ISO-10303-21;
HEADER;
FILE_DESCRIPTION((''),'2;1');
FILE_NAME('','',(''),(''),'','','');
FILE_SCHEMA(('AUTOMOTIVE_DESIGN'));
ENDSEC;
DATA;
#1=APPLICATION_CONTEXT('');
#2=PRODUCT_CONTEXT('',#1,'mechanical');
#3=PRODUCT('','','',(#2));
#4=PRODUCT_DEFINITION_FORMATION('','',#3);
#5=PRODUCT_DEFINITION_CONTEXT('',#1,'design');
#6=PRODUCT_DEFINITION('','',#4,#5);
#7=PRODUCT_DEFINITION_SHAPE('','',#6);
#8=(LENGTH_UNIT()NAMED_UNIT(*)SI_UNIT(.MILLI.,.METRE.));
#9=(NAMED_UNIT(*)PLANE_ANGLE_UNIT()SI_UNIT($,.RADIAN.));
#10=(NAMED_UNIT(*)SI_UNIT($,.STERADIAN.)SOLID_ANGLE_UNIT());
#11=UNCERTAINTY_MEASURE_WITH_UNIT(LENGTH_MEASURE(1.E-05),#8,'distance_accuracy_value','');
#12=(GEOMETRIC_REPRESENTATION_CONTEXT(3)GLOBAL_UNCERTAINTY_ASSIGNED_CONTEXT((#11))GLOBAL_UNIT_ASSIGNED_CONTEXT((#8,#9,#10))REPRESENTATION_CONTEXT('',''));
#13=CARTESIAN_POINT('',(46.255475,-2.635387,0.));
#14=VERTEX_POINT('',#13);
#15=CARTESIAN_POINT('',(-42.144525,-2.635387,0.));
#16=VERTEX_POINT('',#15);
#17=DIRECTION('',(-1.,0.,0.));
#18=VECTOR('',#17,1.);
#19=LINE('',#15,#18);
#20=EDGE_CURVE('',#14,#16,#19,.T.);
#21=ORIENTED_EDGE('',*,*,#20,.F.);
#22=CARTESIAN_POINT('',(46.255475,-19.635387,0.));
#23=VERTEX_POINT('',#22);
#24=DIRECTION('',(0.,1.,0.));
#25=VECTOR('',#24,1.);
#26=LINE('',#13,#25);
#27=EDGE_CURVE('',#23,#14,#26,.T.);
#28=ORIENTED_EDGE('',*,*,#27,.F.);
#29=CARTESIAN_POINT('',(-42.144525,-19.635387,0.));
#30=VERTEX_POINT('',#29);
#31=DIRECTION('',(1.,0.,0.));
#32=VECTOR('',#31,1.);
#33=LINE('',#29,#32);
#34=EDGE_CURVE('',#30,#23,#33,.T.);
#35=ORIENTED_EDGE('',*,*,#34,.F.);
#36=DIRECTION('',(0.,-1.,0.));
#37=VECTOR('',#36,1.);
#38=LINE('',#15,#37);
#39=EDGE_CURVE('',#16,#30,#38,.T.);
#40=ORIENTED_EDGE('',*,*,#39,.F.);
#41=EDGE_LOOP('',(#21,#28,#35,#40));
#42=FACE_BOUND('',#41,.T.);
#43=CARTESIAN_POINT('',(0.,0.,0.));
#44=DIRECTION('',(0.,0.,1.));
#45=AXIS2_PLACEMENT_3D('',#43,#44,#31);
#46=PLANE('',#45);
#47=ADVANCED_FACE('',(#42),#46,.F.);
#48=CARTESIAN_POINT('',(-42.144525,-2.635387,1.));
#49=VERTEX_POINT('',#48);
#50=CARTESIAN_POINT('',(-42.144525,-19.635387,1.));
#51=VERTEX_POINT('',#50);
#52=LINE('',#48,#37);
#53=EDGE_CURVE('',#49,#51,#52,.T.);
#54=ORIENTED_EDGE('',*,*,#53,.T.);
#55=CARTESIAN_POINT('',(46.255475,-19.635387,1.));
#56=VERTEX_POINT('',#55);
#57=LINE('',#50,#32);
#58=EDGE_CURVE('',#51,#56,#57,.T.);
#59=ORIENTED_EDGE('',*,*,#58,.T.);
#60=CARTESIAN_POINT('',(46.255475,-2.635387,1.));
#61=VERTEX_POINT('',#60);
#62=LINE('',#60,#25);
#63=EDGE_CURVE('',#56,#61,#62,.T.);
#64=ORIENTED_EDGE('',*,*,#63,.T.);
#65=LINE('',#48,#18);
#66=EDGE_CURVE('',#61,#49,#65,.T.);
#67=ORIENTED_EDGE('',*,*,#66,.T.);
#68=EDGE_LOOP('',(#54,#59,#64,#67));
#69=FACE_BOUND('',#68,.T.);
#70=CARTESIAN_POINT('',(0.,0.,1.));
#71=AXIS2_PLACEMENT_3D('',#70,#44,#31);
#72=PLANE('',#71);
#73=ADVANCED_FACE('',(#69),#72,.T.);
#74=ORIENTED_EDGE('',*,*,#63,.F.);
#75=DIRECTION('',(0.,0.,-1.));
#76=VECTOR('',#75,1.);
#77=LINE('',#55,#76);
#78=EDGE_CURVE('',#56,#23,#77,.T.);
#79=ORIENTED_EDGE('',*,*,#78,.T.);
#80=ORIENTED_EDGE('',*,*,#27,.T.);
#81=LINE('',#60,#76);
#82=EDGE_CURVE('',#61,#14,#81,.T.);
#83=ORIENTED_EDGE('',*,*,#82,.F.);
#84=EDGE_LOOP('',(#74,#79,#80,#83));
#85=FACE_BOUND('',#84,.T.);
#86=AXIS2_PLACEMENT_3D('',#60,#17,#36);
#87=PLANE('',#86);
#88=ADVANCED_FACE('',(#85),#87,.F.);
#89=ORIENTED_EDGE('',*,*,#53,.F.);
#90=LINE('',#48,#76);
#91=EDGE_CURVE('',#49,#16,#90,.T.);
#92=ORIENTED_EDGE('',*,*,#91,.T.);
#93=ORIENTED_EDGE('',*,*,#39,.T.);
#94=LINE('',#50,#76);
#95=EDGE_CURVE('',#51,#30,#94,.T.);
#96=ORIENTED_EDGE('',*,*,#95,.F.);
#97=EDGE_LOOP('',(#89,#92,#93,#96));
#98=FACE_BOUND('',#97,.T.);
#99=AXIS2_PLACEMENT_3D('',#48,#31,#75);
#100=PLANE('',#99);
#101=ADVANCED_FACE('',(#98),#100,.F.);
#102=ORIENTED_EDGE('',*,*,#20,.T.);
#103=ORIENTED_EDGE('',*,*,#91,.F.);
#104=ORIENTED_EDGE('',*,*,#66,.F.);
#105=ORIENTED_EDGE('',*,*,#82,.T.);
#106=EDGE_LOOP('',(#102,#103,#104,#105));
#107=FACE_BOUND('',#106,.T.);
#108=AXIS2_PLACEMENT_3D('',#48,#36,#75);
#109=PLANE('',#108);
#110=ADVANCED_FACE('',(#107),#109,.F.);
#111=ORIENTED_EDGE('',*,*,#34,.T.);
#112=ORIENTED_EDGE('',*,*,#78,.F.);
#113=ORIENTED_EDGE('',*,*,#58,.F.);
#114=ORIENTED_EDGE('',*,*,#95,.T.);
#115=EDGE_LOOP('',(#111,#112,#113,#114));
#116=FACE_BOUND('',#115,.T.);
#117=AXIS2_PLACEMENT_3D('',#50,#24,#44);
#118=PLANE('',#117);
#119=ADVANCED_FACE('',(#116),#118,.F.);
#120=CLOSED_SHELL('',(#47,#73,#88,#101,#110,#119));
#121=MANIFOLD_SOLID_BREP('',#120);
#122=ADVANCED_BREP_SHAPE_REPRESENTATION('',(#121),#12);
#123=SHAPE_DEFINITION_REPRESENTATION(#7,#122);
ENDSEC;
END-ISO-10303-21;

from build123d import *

# Parameters (mm, degrees)
SKETCH1_W           = 88.4
SKETCH1_H           = 17
BOSS_EXTRUDE1_DEPTH = 1


with BuildPart() as part:
    # Sketch1 → Boss-Extrude1 (new body)
    with BuildSketch(Plane.XY):
        with Locations((2.05547482, -11.135386556)):
            Rectangle(SKETCH1_W, SKETCH1_H)
    extrude(amount=BOSS_EXTRUDE1_DEPTH)


solid = part.part
